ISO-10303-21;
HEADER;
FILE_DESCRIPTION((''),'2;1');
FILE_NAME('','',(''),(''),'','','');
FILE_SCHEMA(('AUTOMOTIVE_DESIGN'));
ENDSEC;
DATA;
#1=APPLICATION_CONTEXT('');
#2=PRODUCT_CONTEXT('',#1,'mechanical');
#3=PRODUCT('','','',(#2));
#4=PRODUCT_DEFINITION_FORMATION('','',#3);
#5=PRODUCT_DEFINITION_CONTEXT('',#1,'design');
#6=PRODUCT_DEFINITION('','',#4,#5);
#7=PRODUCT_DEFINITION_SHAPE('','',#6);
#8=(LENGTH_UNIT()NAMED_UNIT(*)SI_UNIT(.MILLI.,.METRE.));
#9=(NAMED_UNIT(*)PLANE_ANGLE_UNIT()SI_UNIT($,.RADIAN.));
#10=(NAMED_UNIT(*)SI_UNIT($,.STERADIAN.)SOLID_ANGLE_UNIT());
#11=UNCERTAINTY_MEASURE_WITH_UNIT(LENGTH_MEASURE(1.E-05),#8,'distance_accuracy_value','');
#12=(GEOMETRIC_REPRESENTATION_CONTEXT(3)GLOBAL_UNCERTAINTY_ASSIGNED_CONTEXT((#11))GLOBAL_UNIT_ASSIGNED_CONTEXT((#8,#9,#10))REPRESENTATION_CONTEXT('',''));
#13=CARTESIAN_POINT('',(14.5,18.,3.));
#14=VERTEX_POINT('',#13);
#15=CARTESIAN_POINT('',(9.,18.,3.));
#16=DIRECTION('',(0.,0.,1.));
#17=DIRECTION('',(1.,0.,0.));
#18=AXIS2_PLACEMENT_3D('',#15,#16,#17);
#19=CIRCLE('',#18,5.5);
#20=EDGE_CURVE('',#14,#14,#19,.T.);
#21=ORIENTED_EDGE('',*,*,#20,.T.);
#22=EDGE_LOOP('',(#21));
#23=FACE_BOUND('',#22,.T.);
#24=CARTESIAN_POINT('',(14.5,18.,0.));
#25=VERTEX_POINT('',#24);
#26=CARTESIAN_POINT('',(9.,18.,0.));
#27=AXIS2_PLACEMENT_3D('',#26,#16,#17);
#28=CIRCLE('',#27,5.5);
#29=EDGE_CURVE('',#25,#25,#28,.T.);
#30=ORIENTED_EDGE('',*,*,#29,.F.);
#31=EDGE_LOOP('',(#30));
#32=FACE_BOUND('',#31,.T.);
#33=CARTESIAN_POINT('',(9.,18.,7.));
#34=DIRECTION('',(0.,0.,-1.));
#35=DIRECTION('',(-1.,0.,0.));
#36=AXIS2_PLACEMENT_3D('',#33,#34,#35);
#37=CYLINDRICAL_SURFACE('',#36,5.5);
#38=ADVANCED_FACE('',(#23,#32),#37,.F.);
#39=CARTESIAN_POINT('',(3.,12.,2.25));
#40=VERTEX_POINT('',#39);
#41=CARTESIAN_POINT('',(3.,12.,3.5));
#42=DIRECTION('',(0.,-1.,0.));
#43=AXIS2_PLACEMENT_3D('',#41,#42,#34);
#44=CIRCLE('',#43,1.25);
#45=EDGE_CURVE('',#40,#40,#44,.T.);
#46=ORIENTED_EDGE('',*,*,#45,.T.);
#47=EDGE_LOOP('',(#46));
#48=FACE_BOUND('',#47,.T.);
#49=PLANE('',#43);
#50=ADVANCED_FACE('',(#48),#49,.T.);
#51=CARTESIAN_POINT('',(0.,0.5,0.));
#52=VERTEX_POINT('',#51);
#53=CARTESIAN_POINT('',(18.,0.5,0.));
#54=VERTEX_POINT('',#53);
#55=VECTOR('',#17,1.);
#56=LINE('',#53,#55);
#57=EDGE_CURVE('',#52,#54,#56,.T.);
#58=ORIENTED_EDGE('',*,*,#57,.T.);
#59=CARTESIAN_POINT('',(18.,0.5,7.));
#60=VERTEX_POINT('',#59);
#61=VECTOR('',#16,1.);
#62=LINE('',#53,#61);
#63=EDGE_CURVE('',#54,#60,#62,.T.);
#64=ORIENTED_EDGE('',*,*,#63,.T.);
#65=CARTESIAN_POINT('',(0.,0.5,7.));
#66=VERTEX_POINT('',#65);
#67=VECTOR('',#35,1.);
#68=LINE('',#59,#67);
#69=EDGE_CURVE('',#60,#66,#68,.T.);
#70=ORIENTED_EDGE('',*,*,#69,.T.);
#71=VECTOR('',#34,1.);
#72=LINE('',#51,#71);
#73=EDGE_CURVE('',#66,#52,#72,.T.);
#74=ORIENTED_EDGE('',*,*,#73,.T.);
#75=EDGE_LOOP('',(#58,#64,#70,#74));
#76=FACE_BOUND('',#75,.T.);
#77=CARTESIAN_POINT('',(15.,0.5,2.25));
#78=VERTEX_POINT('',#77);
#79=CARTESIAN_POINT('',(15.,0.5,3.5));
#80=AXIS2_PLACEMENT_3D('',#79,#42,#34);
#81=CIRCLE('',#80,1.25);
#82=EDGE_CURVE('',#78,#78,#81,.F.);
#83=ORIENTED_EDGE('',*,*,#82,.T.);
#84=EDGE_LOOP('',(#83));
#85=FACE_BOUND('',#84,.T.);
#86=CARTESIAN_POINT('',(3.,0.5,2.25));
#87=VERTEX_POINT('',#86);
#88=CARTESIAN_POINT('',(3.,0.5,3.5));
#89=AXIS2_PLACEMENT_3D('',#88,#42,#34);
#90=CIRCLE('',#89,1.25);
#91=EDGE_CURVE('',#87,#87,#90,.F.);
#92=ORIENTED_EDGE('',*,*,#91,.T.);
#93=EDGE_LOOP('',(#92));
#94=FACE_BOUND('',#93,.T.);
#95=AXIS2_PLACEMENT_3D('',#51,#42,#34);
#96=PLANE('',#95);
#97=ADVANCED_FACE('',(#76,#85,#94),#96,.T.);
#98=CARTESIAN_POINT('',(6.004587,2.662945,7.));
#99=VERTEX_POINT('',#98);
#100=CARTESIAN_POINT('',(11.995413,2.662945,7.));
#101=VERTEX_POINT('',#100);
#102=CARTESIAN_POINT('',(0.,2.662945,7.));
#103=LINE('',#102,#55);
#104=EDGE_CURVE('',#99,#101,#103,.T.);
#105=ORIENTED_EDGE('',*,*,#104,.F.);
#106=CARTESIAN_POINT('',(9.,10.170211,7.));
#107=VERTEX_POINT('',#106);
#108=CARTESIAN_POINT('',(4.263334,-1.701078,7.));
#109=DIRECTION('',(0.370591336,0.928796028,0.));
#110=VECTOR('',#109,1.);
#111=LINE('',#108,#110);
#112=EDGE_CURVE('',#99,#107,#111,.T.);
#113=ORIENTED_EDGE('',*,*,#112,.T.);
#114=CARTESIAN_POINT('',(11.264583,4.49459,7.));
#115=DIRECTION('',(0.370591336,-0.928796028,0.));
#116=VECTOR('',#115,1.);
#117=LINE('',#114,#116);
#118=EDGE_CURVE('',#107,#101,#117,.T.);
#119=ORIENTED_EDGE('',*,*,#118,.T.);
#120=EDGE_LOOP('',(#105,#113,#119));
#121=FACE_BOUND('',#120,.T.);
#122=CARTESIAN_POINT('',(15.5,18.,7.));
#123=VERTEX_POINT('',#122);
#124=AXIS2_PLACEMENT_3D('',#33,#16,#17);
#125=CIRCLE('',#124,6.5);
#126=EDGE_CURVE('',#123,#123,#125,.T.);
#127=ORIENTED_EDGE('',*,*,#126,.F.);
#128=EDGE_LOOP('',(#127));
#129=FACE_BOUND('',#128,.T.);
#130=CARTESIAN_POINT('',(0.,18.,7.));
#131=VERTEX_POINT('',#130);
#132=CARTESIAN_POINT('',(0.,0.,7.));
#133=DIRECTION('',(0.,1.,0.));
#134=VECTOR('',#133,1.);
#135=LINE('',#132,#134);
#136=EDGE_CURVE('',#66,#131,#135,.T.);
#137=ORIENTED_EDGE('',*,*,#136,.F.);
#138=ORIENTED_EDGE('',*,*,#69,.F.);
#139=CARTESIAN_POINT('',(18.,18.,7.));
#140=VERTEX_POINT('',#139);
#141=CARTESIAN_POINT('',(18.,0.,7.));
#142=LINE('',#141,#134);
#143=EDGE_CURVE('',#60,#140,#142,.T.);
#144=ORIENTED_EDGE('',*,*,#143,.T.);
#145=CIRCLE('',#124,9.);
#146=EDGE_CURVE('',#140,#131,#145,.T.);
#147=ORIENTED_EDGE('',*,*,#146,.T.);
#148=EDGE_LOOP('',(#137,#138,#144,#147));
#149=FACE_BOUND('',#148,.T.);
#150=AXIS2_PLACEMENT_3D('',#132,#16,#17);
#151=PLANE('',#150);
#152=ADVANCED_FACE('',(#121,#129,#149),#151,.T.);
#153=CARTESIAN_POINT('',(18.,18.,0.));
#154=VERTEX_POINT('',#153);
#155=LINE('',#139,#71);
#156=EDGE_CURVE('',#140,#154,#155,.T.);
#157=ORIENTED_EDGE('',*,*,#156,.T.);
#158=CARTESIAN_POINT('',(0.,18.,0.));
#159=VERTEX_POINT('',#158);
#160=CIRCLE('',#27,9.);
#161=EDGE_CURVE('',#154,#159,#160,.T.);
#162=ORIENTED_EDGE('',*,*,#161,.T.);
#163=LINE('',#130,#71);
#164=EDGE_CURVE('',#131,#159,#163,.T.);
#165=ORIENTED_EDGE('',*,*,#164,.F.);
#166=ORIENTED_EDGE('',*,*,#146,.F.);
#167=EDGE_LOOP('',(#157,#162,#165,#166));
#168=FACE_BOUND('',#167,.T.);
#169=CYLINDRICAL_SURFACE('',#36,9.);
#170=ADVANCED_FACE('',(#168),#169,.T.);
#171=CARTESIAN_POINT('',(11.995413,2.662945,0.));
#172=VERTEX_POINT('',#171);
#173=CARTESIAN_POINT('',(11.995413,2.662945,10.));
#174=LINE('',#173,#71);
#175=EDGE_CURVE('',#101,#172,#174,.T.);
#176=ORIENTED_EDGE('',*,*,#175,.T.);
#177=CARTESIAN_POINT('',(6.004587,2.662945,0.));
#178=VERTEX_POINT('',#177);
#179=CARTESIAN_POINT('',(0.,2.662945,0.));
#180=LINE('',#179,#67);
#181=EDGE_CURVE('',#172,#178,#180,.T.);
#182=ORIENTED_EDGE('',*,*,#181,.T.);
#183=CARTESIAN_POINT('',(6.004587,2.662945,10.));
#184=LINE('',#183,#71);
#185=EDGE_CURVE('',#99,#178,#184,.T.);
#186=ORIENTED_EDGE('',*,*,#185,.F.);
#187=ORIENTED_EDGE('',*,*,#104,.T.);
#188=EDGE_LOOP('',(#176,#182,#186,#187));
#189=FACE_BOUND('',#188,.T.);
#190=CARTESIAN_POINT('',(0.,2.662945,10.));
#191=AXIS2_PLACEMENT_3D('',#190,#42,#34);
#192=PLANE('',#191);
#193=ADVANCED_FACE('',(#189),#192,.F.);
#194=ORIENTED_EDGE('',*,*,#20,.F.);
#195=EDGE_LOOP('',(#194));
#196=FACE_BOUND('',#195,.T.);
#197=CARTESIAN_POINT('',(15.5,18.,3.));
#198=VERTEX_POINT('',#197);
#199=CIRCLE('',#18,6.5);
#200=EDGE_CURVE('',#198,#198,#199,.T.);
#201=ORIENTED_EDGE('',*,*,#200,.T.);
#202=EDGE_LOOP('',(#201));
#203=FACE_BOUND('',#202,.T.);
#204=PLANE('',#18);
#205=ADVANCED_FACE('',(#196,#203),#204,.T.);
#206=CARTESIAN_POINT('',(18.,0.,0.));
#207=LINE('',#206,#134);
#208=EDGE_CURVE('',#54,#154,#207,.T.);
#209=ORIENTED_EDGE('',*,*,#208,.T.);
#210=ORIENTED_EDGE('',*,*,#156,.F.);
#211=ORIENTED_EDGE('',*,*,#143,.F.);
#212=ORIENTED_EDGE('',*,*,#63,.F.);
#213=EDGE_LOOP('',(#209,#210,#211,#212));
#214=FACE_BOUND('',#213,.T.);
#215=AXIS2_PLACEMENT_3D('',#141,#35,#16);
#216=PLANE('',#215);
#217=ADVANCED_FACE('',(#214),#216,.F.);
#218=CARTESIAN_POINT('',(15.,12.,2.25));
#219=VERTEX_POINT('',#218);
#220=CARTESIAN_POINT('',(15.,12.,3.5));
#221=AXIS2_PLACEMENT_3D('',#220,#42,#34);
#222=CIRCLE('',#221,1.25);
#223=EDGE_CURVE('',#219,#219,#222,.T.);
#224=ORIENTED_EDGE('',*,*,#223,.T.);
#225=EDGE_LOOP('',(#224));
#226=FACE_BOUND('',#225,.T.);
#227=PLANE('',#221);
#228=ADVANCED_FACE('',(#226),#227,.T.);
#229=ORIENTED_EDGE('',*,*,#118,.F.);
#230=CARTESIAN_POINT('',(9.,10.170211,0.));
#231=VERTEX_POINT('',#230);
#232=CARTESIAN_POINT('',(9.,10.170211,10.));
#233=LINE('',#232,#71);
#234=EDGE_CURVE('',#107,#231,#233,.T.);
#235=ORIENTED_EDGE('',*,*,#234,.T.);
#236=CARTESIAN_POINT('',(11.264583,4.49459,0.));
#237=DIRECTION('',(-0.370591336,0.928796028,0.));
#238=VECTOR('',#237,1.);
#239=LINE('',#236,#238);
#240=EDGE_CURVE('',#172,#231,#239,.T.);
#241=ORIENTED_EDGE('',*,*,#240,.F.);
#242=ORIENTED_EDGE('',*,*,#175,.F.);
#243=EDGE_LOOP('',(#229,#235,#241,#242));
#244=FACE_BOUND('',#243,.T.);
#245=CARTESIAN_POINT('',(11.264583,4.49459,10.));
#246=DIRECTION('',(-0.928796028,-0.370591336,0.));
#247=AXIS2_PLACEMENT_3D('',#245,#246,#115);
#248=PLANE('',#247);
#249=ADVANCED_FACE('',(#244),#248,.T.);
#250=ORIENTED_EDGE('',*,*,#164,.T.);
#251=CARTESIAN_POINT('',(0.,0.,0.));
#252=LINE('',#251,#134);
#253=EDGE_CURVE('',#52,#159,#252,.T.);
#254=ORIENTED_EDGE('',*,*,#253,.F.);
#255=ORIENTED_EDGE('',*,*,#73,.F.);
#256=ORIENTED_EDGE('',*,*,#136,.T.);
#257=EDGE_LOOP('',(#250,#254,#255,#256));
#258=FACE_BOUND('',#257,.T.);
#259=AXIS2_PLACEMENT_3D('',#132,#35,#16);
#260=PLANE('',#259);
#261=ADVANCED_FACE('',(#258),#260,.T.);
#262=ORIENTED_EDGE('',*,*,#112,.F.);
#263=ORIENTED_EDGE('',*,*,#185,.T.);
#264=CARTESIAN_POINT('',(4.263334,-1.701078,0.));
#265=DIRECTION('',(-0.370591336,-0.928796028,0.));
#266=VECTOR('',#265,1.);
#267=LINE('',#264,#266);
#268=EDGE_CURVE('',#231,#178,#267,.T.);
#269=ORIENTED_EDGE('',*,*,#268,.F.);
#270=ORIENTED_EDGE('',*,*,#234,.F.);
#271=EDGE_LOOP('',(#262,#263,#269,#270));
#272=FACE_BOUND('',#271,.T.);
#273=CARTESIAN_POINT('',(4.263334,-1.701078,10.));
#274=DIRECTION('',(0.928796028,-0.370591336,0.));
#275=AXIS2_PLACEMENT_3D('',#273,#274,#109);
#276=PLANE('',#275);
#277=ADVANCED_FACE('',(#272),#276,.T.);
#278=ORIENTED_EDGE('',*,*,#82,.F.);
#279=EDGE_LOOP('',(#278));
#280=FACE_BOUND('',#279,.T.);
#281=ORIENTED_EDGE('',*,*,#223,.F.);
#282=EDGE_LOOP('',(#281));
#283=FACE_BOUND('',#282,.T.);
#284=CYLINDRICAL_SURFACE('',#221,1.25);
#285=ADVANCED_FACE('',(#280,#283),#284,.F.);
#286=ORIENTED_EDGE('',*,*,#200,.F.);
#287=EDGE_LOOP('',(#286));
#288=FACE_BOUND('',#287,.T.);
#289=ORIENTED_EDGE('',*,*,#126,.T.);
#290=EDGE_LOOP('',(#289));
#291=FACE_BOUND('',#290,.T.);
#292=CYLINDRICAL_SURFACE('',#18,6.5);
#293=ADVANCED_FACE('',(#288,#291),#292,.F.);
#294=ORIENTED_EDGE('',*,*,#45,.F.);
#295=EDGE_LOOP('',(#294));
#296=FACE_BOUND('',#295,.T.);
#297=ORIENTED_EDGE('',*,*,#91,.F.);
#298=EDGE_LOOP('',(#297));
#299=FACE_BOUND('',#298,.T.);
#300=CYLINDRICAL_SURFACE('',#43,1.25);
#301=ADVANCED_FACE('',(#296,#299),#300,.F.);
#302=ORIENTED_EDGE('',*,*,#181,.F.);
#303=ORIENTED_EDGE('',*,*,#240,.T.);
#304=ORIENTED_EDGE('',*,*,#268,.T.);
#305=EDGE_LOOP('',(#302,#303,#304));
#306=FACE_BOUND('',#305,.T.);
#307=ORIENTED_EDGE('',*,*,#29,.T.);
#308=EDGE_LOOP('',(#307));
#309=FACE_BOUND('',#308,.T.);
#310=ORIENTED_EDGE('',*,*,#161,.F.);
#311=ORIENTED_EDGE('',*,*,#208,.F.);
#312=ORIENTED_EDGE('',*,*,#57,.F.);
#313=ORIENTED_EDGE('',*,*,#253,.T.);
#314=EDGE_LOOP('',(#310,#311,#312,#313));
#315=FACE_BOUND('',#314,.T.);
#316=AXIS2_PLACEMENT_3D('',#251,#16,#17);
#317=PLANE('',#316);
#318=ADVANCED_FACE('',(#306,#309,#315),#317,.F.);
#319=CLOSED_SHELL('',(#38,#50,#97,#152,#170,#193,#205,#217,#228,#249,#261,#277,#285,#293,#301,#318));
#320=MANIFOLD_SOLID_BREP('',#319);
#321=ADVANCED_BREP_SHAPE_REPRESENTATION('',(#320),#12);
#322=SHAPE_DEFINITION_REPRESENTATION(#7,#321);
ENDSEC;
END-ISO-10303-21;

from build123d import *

# Parameters (mm, degrees)
BOSS_EXTRUDE1_DEPTH = 7
SKETCH2_R           = 1.25
CUT_EXTRUDE1_DEPTH  = 12
SKETCH3_R           = 6.5
CUT_EXTRUDE2_DEPTH  = 4
SKETCH4_W           = 18
SKETCH4_H           = 7
CUT_EXTRUDE3_DEPTH  = 0.5
CUT_EXTRUDE5_DEPTH  = 10


with BuildPart() as part:
    # Sketch1 → Boss-Extrude1 (new body)
    with BuildSketch(Plane.XY):
        with BuildLine():
            ThreePointArc((18, 18), (9, 27), (0, 18))
            Line((0, 18), (3.5, 18))
            ThreePointArc((3.5, 18), (9, 23.5), (14.5, 18))
            Line((14.5, 18), (18, 18))
        make_face()
        with BuildLine():
            Line((3.5, 18), (0, 18))
            ThreePointArc((0, 18), (9, 9), (18, 18))
            Line((18, 18), (14.5, 18))
            ThreePointArc((14.5, 18), (9, 12.5), (3.5, 18))
        make_face()
        with BuildLine():
            Line((0, 18), (0, 0))
            Line((0, 0), (18, 0))
            Line((18, 0), (18, 18))
            ThreePointArc((18, 18), (9, 9), (0, 18))
        make_face()
    extrude(amount=BOSS_EXTRUDE1_DEPTH)

    # Sketch2 → Cut-Extrude1 (cut)
    with BuildSketch(Plane.XZ):
        with Locations(Location((15, 3.5, 0), (0, 0, 270))):
            Circle(SKETCH2_R)
        with Locations(Location((3, 3.5, 0), (0, 0, 270))):
            Circle(SKETCH2_R)
    extrude(amount=-CUT_EXTRUDE1_DEPTH, mode=Mode.SUBTRACT)

    # Sketch3 → Cut-Extrude2 (cut)
    with BuildSketch(Plane.XY.offset(7)):
        with Locations((9, 18)):
            Circle(SKETCH3_R)
    extrude(amount=-CUT_EXTRUDE2_DEPTH, mode=Mode.SUBTRACT)

    # Sketch4 → Cut-Extrude3 (cut)
    with BuildSketch(Plane.XZ):
        with Locations((9, 3.5)):
            Rectangle(SKETCH4_W, SKETCH4_H)
    extrude(amount=-CUT_EXTRUDE3_DEPTH, mode=Mode.SUBTRACT)

    # Sketch5 → Cut-Extrude5 (cut)
    with BuildSketch(Plane(origin=(0, 0, 0), x_dir=(-1, 0, 0), z_dir=(0, 0, -1))):
        Polygon((-9, 10.170210674), (-6.004587273, 2.662945465), (-11.995412727, 2.662945465), align=None)
    extrude(amount=-CUT_EXTRUDE5_DEPTH, mode=Mode.SUBTRACT)


solid = part.part
